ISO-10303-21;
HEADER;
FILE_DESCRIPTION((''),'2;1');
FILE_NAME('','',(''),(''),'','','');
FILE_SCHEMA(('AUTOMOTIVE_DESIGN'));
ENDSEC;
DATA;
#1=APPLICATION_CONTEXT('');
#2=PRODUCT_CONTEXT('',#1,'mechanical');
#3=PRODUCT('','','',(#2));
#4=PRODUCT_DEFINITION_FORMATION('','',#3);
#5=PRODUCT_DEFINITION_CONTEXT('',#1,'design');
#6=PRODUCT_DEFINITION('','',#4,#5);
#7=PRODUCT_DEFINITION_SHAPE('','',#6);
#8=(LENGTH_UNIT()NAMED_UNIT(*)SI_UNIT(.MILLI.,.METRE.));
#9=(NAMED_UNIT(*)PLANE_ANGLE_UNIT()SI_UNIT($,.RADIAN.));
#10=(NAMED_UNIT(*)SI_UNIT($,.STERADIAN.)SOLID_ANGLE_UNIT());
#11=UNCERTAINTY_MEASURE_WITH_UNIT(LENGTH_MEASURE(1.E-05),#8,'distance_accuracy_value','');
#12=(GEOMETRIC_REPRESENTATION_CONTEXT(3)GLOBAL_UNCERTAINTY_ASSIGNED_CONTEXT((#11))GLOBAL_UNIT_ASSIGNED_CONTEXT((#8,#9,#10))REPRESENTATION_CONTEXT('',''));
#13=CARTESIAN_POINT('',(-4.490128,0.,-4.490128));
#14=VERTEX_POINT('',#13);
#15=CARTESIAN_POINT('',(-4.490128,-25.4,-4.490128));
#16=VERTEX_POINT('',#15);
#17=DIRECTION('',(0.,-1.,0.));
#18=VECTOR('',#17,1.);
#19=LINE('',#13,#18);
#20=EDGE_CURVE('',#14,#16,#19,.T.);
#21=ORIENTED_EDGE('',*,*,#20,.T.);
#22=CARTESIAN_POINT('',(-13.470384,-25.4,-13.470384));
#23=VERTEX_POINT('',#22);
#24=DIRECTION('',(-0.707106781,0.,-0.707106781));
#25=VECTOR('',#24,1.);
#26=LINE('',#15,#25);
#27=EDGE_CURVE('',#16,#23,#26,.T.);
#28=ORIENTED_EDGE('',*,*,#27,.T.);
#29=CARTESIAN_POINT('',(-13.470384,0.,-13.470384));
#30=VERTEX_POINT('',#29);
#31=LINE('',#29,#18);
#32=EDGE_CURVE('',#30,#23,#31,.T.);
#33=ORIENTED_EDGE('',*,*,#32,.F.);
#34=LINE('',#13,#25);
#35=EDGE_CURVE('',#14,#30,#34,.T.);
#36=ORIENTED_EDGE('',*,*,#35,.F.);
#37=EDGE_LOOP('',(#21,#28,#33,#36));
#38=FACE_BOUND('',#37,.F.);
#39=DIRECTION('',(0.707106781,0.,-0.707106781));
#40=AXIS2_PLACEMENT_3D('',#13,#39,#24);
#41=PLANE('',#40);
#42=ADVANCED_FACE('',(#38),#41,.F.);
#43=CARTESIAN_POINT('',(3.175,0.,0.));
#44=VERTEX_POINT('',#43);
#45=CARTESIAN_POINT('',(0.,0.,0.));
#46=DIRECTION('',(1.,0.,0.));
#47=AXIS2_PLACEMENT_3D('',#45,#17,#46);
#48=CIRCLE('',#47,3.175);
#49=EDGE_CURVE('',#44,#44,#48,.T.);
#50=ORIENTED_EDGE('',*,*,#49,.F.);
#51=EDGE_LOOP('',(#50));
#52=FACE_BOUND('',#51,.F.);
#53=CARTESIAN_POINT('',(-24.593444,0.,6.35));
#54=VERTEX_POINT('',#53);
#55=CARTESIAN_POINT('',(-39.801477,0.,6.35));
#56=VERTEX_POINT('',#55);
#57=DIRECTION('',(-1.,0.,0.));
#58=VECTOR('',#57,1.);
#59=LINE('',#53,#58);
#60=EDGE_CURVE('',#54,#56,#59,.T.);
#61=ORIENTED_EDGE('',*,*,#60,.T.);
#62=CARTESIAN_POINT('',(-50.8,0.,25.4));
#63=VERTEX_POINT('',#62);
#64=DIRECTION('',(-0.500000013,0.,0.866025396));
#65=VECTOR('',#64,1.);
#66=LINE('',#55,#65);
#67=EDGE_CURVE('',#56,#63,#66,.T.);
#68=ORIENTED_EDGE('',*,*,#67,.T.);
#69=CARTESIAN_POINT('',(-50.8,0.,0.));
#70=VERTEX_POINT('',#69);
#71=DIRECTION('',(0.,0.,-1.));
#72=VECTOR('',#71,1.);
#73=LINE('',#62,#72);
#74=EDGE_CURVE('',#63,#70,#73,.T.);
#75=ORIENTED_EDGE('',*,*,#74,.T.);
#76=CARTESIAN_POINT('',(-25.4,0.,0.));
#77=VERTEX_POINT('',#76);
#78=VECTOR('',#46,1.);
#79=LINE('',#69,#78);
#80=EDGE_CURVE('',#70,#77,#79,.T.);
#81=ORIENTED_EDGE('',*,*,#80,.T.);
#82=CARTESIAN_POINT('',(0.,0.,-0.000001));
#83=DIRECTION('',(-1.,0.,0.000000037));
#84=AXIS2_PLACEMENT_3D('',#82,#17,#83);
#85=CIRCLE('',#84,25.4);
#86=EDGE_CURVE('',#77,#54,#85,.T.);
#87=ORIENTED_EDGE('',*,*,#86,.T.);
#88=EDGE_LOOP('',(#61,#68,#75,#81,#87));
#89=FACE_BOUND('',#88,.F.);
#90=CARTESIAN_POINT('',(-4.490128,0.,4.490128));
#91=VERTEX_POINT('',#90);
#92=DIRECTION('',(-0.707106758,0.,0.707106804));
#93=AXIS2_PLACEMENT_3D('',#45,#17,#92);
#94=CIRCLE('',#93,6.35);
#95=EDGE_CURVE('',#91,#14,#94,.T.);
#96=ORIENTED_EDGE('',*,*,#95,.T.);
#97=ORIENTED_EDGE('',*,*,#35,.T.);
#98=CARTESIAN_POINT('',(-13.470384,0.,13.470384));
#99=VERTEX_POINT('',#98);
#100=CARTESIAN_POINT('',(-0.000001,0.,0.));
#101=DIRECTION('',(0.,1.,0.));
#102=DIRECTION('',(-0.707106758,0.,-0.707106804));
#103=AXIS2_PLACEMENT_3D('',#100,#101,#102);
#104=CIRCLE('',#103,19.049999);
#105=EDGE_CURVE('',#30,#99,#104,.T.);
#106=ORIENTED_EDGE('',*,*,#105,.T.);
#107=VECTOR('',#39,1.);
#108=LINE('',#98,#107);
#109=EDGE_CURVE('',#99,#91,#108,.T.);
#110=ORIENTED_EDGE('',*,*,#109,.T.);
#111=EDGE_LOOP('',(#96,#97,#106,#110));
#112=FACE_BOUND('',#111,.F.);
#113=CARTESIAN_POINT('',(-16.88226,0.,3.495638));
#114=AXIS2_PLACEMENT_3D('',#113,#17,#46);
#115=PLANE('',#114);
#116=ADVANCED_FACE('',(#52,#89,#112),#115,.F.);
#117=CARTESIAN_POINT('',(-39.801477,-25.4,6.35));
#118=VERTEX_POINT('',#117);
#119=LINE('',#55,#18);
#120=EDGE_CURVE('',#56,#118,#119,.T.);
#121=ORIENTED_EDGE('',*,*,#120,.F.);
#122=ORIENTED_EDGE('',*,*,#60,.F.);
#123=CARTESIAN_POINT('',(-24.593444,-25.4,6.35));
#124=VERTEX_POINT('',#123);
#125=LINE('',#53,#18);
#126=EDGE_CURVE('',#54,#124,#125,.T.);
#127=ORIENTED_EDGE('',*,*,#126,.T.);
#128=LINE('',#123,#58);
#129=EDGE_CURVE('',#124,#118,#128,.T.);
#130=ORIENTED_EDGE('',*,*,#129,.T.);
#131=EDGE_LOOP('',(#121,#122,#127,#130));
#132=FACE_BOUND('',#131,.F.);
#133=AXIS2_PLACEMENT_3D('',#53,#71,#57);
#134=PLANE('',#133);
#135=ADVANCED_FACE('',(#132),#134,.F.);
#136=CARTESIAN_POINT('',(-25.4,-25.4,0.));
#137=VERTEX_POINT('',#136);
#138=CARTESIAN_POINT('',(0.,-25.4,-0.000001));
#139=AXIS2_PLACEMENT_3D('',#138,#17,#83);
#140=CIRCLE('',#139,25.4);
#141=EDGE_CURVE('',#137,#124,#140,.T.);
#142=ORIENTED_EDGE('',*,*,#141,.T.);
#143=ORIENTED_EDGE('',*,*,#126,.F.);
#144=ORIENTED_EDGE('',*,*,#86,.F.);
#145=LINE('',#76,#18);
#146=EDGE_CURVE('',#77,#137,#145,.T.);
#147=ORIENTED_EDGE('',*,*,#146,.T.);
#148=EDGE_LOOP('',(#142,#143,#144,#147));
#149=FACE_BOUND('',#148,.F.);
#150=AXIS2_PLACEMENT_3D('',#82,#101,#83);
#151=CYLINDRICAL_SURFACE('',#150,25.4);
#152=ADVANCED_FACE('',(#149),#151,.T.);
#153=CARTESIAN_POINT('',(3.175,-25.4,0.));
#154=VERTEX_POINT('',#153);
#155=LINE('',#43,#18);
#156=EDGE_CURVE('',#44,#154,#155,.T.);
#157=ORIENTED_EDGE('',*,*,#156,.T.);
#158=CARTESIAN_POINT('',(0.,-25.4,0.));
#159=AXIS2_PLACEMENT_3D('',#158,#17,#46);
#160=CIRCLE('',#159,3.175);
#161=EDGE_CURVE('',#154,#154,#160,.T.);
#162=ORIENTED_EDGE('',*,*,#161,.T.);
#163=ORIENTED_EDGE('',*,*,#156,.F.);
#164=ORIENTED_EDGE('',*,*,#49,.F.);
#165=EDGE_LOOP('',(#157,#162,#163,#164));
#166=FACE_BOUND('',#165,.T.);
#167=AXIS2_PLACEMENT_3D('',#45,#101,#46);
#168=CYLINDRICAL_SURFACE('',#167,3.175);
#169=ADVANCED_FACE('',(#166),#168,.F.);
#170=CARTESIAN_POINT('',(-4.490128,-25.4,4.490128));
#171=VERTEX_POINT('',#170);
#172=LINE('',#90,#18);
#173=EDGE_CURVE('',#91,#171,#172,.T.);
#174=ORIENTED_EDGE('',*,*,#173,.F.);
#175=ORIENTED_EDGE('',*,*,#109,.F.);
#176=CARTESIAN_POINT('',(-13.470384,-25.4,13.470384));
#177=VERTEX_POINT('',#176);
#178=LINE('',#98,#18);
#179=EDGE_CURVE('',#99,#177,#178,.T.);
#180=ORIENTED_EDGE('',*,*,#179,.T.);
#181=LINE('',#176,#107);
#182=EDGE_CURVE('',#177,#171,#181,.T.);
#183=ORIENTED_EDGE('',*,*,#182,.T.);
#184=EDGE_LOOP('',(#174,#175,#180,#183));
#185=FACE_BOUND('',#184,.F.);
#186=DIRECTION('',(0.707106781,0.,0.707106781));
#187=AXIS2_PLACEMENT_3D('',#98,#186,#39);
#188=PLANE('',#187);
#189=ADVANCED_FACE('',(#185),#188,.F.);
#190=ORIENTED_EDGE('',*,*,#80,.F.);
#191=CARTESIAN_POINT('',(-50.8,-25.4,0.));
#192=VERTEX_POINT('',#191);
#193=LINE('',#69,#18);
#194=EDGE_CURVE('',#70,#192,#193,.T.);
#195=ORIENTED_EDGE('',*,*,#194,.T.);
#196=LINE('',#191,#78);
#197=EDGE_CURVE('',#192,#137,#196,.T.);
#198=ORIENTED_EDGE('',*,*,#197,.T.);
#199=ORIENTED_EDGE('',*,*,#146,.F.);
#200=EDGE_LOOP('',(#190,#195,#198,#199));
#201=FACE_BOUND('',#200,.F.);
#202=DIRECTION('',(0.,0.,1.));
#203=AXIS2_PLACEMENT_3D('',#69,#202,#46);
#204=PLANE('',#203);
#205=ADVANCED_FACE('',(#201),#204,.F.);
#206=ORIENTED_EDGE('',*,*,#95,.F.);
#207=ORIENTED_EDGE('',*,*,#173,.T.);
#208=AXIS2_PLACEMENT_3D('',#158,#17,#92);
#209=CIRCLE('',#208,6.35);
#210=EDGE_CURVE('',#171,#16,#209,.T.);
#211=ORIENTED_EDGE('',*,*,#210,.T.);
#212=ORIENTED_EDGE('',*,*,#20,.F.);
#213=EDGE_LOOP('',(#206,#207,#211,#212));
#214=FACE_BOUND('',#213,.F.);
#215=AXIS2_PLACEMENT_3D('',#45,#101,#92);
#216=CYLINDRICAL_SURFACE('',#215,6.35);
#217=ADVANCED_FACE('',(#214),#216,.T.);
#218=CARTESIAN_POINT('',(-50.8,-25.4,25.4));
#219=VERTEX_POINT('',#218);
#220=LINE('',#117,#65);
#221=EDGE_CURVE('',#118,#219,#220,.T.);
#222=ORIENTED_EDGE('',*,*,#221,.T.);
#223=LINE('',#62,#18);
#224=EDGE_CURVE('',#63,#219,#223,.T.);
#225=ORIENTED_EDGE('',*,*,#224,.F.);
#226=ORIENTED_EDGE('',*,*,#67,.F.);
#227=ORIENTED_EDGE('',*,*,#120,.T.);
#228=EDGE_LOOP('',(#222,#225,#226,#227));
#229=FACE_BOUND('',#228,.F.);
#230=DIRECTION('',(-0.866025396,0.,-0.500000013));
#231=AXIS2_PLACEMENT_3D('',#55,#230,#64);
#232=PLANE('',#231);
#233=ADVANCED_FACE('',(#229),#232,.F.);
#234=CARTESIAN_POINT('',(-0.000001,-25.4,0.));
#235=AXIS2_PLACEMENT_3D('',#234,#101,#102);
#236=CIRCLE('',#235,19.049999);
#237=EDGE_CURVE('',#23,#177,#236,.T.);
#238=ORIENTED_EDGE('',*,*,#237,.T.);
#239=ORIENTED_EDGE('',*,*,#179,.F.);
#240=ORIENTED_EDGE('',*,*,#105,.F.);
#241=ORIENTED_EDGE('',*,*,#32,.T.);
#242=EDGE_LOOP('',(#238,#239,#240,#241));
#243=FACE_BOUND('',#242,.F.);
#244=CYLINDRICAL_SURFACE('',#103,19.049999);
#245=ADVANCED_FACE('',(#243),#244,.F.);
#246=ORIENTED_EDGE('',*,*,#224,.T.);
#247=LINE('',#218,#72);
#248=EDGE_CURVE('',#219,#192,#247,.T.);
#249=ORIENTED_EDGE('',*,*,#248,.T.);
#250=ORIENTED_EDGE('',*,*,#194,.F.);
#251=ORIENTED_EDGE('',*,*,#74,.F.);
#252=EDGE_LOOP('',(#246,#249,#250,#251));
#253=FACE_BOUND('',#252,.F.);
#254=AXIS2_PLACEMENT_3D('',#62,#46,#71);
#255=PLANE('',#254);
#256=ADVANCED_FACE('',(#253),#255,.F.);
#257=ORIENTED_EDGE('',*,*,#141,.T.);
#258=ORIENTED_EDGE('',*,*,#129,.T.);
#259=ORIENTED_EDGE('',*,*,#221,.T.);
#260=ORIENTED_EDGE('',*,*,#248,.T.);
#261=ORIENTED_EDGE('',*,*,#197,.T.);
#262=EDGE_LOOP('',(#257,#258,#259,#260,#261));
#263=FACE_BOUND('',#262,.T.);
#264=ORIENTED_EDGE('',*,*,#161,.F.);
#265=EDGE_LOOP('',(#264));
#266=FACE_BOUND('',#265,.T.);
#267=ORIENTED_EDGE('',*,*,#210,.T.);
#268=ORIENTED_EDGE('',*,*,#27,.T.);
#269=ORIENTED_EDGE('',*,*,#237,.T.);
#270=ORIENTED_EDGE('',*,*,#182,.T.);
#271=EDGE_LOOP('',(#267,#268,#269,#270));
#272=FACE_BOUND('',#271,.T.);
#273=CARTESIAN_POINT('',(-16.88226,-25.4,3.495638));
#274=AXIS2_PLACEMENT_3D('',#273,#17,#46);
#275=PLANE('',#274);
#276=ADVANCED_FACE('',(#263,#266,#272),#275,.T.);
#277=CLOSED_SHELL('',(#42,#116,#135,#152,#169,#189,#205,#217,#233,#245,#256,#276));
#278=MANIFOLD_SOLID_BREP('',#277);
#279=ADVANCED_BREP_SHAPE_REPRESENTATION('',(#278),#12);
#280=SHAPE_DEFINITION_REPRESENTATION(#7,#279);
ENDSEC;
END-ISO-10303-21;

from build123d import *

# Parameters (mm, degrees)
F0_R     = 3.175
F1_DEPTH = 25.4


with BuildPart() as f1:
    # F0 (on Front) → F1 (new body)
    with BuildSketch(Plane.XZ):
        with BuildLine():
            Line((-50.8, 0), (-25.4, 0))
            ThreePointArc((-25.4, 0), (25.197554, -3.200509), (-24.593444, 6.35))
            Line((-24.593444, 6.35), (-39.801477, 6.35))
            Line((-39.801477, 6.35), (-50.8, 25.4))
            Line((-50.8, 25.4), (-50.8, 0))
        make_face()
        with BuildLine():
            ThreePointArc((-13.470384, -13.470384), (-19.05, 0), (-13.470384, 13.470384))
            Line((-13.470384, 13.470384), (-4.490128, 4.490128))
            ThreePointArc((-4.490128, 4.490128), (-6.35, 0), (-4.490128, -4.490128))
            Line((-4.490128, -4.490128), (-13.470384, -13.470384))
        make_face(mode=Mode.SUBTRACT)
        Circle(F0_R, mode=Mode.SUBTRACT)
    extrude(amount=F1_DEPTH)


solid = f1.part
